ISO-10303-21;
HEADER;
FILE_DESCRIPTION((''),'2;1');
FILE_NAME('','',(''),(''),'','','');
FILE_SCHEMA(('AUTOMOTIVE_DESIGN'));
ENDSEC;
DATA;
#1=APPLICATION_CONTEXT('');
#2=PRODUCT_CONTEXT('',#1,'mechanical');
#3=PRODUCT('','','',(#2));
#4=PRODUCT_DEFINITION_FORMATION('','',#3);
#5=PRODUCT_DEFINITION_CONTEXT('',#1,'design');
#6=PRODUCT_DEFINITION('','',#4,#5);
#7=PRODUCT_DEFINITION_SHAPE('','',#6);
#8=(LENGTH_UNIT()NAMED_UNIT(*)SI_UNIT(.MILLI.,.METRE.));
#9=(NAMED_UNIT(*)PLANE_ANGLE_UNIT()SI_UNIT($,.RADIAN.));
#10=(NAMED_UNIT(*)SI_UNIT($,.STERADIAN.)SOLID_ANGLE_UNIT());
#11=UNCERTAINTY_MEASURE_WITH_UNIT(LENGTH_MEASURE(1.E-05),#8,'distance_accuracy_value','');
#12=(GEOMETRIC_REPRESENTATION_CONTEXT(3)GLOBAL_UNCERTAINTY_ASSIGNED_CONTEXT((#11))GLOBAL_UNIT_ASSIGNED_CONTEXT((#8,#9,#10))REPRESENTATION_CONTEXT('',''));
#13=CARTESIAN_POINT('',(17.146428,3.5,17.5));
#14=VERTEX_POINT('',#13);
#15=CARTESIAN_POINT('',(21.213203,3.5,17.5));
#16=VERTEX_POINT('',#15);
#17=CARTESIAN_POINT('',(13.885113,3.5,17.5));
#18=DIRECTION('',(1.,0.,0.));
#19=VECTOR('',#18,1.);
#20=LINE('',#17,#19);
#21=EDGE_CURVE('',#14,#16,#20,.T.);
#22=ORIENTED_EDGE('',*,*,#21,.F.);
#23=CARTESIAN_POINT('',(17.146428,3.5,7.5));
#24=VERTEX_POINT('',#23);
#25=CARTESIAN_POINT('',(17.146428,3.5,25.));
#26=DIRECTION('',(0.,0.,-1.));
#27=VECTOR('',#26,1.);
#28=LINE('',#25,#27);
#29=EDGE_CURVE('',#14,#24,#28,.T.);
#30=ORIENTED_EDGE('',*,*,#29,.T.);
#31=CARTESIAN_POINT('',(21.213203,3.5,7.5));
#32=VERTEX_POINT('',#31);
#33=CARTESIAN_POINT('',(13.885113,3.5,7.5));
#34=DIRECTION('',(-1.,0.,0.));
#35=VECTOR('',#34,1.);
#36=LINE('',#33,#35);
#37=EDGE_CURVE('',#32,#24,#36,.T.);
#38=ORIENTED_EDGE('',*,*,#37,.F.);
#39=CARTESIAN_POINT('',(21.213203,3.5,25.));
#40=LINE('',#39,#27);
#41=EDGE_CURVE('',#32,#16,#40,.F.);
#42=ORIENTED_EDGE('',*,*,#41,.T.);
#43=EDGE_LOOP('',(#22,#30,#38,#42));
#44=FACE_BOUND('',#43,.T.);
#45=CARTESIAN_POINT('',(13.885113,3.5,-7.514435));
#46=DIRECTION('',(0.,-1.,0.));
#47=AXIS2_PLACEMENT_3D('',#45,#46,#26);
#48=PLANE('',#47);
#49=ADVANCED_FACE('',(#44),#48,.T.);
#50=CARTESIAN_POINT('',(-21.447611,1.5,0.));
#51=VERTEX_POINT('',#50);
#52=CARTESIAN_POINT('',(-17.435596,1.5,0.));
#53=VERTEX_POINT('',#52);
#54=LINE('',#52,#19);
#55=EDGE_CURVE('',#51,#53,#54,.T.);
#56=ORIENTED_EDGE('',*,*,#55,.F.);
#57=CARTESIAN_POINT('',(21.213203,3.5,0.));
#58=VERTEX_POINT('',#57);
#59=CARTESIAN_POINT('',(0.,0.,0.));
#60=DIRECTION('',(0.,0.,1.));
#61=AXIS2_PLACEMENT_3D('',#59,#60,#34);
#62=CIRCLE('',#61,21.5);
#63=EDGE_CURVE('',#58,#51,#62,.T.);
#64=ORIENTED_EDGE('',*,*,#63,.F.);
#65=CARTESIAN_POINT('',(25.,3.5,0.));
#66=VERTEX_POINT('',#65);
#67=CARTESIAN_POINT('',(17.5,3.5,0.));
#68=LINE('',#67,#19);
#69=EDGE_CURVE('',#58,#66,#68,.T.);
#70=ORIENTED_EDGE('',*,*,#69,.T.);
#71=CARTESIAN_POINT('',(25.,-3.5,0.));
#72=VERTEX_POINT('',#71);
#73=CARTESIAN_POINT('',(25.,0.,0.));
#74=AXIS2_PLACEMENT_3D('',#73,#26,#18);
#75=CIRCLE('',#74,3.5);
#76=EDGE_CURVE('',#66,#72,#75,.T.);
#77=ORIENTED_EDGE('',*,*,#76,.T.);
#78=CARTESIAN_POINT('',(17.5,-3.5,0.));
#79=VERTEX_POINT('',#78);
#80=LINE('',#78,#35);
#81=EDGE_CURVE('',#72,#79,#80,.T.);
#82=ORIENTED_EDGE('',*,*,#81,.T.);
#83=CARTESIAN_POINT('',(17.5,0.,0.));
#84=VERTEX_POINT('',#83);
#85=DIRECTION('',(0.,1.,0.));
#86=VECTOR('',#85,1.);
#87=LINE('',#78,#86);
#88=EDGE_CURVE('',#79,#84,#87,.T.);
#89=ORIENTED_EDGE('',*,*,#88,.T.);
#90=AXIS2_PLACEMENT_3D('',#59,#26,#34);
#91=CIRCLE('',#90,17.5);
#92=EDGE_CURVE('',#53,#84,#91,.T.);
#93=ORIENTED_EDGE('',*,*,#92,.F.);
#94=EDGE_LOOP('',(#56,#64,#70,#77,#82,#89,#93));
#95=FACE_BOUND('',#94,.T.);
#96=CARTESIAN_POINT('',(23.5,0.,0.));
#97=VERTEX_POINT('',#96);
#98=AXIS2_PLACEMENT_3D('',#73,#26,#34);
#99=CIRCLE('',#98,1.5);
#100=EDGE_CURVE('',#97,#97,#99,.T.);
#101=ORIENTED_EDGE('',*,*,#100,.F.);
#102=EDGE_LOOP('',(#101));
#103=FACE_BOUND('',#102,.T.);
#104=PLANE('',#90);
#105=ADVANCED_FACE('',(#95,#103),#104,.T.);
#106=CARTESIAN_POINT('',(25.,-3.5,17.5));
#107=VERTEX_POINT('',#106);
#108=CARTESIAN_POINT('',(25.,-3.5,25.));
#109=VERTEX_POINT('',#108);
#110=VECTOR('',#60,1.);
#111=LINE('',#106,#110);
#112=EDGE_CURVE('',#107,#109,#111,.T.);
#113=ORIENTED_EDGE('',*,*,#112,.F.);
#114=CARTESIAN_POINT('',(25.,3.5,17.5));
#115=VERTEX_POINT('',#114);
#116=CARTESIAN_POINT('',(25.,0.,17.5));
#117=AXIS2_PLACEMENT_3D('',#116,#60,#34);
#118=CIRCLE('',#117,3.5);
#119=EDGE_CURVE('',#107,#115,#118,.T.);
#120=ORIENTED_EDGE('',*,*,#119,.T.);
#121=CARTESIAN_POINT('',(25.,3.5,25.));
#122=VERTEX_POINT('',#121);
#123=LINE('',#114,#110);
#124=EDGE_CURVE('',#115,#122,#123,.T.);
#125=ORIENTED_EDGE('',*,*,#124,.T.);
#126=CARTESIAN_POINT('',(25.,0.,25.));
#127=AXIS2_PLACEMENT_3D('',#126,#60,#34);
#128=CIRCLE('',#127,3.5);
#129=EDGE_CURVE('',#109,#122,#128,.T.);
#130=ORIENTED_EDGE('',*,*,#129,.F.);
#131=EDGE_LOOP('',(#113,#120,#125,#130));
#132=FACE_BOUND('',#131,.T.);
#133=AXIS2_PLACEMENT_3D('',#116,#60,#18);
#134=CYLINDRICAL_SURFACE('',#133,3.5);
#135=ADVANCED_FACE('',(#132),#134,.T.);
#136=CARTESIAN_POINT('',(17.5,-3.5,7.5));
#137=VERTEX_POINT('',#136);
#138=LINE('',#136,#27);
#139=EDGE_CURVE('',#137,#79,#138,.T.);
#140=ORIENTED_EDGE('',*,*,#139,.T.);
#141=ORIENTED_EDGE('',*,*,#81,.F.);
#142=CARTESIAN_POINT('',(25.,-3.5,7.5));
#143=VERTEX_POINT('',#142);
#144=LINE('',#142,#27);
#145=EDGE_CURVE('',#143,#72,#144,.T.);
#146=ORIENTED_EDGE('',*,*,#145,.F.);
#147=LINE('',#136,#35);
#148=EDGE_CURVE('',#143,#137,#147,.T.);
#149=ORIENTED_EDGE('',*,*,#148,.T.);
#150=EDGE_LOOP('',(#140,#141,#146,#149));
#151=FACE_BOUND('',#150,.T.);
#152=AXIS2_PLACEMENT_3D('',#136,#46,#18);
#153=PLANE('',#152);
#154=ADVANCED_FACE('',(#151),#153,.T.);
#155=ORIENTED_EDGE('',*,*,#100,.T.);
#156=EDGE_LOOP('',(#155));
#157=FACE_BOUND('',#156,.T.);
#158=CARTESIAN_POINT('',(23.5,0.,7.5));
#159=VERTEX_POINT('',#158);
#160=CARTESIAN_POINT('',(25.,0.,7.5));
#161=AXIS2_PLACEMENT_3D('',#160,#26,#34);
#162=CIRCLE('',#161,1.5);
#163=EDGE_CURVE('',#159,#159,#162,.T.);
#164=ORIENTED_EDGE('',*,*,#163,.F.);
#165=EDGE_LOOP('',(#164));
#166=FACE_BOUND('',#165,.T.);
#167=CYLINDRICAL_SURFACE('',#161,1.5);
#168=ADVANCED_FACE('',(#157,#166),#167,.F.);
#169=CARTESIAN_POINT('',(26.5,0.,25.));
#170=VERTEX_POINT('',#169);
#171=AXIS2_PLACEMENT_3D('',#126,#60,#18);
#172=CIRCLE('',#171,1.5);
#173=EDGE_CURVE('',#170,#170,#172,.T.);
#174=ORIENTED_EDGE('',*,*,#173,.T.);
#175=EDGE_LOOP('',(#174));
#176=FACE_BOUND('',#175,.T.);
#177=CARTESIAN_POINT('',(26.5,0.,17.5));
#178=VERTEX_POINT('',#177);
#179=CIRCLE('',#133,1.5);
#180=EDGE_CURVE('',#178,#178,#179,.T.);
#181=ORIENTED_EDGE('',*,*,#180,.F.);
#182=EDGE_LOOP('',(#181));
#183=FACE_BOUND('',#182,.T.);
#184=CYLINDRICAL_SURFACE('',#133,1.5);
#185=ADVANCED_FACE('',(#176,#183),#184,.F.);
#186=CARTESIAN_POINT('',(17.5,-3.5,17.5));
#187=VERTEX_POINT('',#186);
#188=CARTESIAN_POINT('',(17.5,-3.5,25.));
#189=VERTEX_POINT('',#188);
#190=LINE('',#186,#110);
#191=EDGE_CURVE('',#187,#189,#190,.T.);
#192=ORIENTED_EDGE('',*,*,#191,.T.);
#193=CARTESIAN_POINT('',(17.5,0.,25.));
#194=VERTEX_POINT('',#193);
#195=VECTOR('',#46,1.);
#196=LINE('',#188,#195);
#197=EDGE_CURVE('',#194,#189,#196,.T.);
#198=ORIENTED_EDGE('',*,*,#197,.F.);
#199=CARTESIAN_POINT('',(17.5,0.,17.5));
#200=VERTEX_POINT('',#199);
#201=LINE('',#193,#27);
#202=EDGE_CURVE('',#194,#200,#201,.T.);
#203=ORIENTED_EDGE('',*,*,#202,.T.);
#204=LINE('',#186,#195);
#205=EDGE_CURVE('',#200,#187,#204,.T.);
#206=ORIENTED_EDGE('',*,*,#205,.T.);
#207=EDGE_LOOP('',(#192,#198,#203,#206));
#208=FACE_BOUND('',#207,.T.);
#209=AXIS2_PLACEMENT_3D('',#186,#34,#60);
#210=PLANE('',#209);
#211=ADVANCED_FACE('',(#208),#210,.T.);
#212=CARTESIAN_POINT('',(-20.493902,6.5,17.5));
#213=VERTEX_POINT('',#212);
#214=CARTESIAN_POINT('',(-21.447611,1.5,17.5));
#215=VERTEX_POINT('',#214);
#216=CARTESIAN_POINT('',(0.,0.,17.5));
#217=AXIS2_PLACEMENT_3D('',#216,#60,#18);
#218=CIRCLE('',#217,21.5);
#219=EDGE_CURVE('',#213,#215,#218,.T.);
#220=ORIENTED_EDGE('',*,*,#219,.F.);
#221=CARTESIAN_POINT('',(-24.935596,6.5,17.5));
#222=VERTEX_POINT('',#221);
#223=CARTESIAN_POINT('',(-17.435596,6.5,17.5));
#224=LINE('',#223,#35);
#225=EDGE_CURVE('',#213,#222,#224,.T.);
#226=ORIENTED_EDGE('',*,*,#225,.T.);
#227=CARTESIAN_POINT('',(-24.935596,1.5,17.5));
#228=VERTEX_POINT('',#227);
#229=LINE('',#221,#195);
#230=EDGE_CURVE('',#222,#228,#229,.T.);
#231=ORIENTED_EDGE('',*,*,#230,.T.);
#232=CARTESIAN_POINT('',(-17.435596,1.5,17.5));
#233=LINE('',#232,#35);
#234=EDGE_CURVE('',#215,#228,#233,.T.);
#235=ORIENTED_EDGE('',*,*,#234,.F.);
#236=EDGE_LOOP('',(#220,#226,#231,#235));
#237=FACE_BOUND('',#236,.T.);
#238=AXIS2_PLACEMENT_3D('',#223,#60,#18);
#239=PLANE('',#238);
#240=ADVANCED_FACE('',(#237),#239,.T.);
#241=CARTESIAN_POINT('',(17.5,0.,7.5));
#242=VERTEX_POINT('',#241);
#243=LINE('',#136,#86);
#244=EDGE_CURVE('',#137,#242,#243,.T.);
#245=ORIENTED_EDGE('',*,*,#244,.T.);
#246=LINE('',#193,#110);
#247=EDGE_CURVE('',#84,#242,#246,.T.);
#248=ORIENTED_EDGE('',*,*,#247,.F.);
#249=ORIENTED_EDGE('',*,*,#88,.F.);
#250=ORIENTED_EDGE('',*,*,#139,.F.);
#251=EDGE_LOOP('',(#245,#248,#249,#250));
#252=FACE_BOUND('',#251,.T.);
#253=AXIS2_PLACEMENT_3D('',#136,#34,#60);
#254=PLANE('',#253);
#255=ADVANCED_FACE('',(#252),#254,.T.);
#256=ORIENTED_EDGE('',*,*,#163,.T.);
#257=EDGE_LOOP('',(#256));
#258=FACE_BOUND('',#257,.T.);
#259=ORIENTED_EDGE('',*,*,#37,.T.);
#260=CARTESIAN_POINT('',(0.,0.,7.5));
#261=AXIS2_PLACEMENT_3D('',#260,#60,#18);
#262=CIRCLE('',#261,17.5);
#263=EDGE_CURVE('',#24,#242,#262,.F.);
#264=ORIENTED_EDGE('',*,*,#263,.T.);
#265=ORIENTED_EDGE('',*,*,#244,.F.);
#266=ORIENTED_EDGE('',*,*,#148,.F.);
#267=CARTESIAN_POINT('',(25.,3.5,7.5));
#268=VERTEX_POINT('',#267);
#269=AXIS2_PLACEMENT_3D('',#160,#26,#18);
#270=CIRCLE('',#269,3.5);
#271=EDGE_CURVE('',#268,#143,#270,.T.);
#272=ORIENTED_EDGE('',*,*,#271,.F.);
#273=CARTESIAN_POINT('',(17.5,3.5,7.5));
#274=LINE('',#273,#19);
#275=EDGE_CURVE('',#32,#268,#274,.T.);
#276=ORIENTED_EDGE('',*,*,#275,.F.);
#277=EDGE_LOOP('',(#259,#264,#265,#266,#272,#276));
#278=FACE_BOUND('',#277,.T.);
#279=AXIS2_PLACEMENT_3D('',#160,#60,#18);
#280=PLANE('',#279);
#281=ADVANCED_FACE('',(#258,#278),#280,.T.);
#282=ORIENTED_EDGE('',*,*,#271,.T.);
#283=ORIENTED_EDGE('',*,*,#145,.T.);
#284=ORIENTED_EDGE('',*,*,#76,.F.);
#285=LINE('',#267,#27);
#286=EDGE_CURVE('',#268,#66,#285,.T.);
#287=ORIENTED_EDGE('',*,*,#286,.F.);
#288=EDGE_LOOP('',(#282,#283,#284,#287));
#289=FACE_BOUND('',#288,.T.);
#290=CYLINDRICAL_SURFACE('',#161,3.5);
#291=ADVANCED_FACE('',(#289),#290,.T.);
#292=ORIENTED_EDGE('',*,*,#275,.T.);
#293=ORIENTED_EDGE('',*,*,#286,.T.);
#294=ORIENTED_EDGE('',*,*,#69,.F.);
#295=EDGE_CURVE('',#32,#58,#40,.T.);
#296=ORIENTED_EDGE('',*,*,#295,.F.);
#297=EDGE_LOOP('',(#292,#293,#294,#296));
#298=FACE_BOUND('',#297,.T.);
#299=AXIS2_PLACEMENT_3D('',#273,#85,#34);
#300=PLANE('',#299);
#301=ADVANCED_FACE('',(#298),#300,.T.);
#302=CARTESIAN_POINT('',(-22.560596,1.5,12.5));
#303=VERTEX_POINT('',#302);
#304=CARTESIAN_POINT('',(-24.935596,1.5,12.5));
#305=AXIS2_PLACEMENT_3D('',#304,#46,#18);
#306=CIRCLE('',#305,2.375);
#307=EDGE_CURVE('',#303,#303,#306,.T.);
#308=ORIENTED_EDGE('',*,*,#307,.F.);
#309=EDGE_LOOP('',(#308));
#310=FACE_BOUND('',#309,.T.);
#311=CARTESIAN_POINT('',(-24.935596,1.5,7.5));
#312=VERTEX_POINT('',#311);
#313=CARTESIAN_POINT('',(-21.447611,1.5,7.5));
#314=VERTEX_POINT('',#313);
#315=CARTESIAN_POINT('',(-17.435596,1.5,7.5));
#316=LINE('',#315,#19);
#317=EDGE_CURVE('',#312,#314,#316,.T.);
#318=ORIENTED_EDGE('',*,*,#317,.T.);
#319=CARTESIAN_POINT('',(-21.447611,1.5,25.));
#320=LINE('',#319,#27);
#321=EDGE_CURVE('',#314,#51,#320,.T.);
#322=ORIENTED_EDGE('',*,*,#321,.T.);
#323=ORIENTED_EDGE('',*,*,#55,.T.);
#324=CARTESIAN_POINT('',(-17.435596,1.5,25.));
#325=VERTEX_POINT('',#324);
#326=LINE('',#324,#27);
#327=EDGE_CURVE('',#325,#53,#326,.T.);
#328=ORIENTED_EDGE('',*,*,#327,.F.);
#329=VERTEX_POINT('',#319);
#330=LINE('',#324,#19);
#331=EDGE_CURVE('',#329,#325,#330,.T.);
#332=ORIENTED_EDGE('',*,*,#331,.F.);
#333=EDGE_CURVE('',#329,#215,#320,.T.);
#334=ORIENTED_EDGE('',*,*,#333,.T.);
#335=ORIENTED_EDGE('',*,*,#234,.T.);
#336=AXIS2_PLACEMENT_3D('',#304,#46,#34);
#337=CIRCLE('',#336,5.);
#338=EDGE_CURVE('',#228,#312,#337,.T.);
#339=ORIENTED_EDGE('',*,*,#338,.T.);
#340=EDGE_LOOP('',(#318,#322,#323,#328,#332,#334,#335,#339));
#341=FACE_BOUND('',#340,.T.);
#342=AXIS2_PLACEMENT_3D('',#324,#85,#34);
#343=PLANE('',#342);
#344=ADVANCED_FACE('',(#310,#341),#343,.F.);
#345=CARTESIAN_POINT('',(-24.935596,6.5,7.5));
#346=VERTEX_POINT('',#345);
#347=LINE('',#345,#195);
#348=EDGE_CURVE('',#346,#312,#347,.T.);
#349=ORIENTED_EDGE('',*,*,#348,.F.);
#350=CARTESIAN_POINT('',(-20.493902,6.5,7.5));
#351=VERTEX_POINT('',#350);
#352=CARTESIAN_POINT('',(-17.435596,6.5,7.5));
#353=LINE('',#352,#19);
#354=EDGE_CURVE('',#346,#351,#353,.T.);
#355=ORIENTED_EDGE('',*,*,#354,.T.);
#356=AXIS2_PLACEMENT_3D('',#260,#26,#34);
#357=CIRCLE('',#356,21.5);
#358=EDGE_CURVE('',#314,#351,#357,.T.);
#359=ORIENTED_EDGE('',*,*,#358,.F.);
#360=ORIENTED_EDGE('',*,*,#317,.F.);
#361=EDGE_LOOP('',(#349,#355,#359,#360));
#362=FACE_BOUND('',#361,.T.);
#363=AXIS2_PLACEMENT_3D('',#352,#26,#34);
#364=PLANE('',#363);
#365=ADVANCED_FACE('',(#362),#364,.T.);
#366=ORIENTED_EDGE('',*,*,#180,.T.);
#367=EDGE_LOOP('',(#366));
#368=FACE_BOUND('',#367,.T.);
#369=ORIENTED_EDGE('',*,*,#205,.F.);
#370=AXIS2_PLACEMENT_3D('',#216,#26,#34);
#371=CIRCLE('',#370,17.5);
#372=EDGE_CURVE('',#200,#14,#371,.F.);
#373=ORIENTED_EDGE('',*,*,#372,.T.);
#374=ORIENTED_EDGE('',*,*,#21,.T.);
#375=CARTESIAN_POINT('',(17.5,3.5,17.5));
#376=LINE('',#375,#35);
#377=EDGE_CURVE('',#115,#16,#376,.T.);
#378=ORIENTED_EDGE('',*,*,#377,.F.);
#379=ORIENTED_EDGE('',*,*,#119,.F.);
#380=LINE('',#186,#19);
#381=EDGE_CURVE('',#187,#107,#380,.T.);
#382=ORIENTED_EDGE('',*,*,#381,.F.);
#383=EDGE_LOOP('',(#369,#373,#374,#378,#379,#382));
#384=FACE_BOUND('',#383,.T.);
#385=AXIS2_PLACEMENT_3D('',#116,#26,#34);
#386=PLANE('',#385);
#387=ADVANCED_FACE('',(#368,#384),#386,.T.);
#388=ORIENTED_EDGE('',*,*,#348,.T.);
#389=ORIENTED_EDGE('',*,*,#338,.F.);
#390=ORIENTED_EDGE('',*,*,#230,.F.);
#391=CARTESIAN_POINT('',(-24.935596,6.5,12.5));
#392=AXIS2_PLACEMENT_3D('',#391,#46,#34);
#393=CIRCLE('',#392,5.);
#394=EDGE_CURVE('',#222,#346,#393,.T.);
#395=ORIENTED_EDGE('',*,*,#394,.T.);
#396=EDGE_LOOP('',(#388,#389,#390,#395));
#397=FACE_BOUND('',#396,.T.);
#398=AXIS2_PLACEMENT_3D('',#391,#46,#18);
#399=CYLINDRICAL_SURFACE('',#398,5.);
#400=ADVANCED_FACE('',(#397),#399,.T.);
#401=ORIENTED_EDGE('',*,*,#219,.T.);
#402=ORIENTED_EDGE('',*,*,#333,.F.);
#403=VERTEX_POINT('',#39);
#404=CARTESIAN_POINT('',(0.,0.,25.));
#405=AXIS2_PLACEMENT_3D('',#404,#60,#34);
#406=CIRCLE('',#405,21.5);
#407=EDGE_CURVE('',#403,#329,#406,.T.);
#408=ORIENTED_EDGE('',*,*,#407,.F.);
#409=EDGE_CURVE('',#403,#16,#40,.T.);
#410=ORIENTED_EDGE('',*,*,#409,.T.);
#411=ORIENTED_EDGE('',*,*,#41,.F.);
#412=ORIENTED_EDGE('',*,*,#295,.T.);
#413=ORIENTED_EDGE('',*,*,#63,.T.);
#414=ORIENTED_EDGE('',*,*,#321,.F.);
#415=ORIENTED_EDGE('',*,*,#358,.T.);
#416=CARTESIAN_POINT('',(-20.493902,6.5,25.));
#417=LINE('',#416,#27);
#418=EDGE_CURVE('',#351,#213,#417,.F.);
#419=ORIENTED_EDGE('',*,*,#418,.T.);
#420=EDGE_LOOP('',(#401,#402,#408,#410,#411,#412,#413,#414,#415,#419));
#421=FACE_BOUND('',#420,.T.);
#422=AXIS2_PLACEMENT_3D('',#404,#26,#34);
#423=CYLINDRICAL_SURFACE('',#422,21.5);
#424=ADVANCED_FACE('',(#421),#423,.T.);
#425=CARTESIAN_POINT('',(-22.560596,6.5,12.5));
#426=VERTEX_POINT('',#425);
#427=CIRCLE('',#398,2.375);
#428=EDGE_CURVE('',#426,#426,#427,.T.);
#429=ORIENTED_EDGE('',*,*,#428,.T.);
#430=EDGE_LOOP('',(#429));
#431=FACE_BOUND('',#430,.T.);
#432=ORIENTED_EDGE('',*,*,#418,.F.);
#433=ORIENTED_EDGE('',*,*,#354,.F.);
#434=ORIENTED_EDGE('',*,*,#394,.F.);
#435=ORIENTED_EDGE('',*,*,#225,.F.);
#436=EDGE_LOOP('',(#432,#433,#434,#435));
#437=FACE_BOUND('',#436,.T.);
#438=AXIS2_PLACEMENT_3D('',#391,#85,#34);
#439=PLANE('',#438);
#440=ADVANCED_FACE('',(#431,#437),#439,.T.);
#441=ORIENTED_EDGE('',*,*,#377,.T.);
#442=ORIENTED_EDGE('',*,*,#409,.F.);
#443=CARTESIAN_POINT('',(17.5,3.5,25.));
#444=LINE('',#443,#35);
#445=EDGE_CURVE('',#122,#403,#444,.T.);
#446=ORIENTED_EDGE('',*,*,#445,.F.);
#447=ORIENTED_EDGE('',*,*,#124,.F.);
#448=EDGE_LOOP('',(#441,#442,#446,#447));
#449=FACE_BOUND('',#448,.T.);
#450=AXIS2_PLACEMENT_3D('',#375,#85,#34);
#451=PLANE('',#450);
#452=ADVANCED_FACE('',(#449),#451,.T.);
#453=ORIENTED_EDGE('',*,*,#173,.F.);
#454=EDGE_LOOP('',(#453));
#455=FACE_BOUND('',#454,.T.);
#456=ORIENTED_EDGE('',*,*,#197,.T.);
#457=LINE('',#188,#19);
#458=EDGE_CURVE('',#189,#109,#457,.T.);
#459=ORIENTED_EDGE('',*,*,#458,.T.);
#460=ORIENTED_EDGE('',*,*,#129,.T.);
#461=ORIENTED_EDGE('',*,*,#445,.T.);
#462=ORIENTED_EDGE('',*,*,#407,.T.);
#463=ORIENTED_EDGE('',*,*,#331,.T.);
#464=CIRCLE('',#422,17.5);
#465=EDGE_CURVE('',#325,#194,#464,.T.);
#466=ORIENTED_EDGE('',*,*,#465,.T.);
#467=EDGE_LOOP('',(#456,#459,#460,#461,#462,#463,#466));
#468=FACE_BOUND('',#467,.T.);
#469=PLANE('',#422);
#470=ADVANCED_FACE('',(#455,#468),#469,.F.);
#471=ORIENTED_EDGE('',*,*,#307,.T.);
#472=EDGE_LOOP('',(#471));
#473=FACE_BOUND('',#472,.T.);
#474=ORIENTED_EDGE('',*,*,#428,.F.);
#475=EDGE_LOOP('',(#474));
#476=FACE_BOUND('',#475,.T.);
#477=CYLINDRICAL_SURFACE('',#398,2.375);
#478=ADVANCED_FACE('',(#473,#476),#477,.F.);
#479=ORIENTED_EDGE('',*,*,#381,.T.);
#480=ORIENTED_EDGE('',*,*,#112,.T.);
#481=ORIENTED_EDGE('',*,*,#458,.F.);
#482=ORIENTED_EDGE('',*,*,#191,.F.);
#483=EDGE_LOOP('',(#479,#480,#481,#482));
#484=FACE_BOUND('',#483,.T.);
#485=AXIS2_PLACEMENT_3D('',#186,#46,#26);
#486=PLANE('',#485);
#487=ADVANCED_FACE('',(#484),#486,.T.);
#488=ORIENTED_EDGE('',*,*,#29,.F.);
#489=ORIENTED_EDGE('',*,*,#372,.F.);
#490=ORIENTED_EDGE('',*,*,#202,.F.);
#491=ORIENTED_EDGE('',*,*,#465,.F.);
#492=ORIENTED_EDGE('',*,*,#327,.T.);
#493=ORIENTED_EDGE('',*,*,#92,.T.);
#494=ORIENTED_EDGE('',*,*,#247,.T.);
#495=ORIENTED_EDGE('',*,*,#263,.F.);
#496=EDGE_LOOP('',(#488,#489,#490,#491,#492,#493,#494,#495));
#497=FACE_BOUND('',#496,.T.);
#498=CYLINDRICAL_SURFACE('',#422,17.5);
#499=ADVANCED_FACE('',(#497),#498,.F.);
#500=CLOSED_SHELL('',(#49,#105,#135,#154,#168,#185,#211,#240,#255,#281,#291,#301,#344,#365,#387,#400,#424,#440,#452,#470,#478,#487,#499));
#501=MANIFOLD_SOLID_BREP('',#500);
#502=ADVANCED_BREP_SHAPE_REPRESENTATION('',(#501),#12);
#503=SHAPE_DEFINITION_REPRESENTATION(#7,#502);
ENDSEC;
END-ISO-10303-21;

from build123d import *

# Parameters (mm, degrees)
BOSS_EXTRU_1_DEPTH      = 25
ESQUISSE2_R             = 2.375
BOSS_EXTRU_2_DEPTH      = 5
ESQUISSE3_R             = 1.5
BOSS_EXTRU_3_DEPTH      = 7.5
ESQUISSE4_R             = 1.5
BOSS_EXTRU_4_DEPTH      = 7.5
ESQUISSE5_W             = 11.114887109
ESQUISSE5_H             = 10.09418398
ENL_V_MAT_EXTRU_1_DEPTH = 10


with BuildPart() as part:
    # Esquisse1 → Boss.-Extru.1 (new body)
    with BuildSketch(Plane.XY):
        with BuildLine():
            Line((-17.435595774, 1.5), (-21.44761059, 1.5))
            ThreePointArc((-21.44761059, 1.5), (0.750457302, 21.486898656), (21.5, 0))
            Line((21.5, 0), (17.5, 0))
            ThreePointArc((17.5, 0), (0.750690999, 17.48389153), (-17.435595774, 1.5))
        make_face()
    extrude(amount=BOSS_EXTRU_1_DEPTH)

    # Esquisse2 → Boss.-Extru.2 (add)
    with BuildSketch(Plane.XZ.offset(-1.5)):
        with BuildLine():
            Line((-17.435595774, 7.5), (-24.935595774, 7.5))
            ThreePointArc((-24.935595774, 7.5), (-29.935595774, 12.5), (-24.935595774, 17.5))
            Line((-24.935595774, 17.5), (-17.435595774, 17.5))
            Line((-17.435595774, 17.5), (-17.435595774, 7.5))
        make_face()
        with Locations((-24.935595774, 12.5)):
            Circle(ESQUISSE2_R, mode=Mode.SUBTRACT)
    extrude(amount=-BOSS_EXTRU_2_DEPTH)

    # Esquisse3 → Boss.-Extru.3 (add)
    with BuildSketch(Plane.XY.offset(25)):
        with BuildLine():
            Line((17.5, -3.5), (25, -3.5))
            ThreePointArc((25, -3.5), (28.5, 0), (25, 3.5))
            Line((25, 3.5), (17.5, 3.5))
            Line((17.5, 3.5), (17.5, -3.5))
        make_face()
        with Locations((25, 0)):
            Circle(ESQUISSE3_R, mode=Mode.SUBTRACT)
    extrude(amount=-BOSS_EXTRU_3_DEPTH)

    # Esquisse4 → Boss.-Extru.4 (add)
    with BuildSketch(Plane(origin=(0, 0, 0), x_dir=(-1, 0, 0), z_dir=(0, 0, -1))):
        with BuildLine():
            Line((-17.5, -3.5), (-25, -3.5))
            ThreePointArc((-25, -3.5), (-28.5, 0), (-25, 3.5))
            Line((-25, 3.5), (-17.5, 3.5))
            Line((-17.5, 3.5), (-17.5, -3.5))
        make_face()
        with Locations((-25, 0)):
            Circle(ESQUISSE4_R, mode=Mode.SUBTRACT)
    extrude(amount=-BOSS_EXTRU_4_DEPTH)

    # Esquisse5 → Enlèv. mat.-Extru.1 (cut)
    with BuildSketch(Plane(origin=(0, 0, 17.5), x_dir=(-1, 0, 0), z_dir=(0, 0, -1))):
        with Locations((-19.442556445, -1.54709199)):
            Rectangle(ESQUISSE5_W, ESQUISSE5_H)
    extrude(amount=ENL_V_MAT_EXTRU_1_DEPTH, mode=Mode.SUBTRACT)


solid = part.part
